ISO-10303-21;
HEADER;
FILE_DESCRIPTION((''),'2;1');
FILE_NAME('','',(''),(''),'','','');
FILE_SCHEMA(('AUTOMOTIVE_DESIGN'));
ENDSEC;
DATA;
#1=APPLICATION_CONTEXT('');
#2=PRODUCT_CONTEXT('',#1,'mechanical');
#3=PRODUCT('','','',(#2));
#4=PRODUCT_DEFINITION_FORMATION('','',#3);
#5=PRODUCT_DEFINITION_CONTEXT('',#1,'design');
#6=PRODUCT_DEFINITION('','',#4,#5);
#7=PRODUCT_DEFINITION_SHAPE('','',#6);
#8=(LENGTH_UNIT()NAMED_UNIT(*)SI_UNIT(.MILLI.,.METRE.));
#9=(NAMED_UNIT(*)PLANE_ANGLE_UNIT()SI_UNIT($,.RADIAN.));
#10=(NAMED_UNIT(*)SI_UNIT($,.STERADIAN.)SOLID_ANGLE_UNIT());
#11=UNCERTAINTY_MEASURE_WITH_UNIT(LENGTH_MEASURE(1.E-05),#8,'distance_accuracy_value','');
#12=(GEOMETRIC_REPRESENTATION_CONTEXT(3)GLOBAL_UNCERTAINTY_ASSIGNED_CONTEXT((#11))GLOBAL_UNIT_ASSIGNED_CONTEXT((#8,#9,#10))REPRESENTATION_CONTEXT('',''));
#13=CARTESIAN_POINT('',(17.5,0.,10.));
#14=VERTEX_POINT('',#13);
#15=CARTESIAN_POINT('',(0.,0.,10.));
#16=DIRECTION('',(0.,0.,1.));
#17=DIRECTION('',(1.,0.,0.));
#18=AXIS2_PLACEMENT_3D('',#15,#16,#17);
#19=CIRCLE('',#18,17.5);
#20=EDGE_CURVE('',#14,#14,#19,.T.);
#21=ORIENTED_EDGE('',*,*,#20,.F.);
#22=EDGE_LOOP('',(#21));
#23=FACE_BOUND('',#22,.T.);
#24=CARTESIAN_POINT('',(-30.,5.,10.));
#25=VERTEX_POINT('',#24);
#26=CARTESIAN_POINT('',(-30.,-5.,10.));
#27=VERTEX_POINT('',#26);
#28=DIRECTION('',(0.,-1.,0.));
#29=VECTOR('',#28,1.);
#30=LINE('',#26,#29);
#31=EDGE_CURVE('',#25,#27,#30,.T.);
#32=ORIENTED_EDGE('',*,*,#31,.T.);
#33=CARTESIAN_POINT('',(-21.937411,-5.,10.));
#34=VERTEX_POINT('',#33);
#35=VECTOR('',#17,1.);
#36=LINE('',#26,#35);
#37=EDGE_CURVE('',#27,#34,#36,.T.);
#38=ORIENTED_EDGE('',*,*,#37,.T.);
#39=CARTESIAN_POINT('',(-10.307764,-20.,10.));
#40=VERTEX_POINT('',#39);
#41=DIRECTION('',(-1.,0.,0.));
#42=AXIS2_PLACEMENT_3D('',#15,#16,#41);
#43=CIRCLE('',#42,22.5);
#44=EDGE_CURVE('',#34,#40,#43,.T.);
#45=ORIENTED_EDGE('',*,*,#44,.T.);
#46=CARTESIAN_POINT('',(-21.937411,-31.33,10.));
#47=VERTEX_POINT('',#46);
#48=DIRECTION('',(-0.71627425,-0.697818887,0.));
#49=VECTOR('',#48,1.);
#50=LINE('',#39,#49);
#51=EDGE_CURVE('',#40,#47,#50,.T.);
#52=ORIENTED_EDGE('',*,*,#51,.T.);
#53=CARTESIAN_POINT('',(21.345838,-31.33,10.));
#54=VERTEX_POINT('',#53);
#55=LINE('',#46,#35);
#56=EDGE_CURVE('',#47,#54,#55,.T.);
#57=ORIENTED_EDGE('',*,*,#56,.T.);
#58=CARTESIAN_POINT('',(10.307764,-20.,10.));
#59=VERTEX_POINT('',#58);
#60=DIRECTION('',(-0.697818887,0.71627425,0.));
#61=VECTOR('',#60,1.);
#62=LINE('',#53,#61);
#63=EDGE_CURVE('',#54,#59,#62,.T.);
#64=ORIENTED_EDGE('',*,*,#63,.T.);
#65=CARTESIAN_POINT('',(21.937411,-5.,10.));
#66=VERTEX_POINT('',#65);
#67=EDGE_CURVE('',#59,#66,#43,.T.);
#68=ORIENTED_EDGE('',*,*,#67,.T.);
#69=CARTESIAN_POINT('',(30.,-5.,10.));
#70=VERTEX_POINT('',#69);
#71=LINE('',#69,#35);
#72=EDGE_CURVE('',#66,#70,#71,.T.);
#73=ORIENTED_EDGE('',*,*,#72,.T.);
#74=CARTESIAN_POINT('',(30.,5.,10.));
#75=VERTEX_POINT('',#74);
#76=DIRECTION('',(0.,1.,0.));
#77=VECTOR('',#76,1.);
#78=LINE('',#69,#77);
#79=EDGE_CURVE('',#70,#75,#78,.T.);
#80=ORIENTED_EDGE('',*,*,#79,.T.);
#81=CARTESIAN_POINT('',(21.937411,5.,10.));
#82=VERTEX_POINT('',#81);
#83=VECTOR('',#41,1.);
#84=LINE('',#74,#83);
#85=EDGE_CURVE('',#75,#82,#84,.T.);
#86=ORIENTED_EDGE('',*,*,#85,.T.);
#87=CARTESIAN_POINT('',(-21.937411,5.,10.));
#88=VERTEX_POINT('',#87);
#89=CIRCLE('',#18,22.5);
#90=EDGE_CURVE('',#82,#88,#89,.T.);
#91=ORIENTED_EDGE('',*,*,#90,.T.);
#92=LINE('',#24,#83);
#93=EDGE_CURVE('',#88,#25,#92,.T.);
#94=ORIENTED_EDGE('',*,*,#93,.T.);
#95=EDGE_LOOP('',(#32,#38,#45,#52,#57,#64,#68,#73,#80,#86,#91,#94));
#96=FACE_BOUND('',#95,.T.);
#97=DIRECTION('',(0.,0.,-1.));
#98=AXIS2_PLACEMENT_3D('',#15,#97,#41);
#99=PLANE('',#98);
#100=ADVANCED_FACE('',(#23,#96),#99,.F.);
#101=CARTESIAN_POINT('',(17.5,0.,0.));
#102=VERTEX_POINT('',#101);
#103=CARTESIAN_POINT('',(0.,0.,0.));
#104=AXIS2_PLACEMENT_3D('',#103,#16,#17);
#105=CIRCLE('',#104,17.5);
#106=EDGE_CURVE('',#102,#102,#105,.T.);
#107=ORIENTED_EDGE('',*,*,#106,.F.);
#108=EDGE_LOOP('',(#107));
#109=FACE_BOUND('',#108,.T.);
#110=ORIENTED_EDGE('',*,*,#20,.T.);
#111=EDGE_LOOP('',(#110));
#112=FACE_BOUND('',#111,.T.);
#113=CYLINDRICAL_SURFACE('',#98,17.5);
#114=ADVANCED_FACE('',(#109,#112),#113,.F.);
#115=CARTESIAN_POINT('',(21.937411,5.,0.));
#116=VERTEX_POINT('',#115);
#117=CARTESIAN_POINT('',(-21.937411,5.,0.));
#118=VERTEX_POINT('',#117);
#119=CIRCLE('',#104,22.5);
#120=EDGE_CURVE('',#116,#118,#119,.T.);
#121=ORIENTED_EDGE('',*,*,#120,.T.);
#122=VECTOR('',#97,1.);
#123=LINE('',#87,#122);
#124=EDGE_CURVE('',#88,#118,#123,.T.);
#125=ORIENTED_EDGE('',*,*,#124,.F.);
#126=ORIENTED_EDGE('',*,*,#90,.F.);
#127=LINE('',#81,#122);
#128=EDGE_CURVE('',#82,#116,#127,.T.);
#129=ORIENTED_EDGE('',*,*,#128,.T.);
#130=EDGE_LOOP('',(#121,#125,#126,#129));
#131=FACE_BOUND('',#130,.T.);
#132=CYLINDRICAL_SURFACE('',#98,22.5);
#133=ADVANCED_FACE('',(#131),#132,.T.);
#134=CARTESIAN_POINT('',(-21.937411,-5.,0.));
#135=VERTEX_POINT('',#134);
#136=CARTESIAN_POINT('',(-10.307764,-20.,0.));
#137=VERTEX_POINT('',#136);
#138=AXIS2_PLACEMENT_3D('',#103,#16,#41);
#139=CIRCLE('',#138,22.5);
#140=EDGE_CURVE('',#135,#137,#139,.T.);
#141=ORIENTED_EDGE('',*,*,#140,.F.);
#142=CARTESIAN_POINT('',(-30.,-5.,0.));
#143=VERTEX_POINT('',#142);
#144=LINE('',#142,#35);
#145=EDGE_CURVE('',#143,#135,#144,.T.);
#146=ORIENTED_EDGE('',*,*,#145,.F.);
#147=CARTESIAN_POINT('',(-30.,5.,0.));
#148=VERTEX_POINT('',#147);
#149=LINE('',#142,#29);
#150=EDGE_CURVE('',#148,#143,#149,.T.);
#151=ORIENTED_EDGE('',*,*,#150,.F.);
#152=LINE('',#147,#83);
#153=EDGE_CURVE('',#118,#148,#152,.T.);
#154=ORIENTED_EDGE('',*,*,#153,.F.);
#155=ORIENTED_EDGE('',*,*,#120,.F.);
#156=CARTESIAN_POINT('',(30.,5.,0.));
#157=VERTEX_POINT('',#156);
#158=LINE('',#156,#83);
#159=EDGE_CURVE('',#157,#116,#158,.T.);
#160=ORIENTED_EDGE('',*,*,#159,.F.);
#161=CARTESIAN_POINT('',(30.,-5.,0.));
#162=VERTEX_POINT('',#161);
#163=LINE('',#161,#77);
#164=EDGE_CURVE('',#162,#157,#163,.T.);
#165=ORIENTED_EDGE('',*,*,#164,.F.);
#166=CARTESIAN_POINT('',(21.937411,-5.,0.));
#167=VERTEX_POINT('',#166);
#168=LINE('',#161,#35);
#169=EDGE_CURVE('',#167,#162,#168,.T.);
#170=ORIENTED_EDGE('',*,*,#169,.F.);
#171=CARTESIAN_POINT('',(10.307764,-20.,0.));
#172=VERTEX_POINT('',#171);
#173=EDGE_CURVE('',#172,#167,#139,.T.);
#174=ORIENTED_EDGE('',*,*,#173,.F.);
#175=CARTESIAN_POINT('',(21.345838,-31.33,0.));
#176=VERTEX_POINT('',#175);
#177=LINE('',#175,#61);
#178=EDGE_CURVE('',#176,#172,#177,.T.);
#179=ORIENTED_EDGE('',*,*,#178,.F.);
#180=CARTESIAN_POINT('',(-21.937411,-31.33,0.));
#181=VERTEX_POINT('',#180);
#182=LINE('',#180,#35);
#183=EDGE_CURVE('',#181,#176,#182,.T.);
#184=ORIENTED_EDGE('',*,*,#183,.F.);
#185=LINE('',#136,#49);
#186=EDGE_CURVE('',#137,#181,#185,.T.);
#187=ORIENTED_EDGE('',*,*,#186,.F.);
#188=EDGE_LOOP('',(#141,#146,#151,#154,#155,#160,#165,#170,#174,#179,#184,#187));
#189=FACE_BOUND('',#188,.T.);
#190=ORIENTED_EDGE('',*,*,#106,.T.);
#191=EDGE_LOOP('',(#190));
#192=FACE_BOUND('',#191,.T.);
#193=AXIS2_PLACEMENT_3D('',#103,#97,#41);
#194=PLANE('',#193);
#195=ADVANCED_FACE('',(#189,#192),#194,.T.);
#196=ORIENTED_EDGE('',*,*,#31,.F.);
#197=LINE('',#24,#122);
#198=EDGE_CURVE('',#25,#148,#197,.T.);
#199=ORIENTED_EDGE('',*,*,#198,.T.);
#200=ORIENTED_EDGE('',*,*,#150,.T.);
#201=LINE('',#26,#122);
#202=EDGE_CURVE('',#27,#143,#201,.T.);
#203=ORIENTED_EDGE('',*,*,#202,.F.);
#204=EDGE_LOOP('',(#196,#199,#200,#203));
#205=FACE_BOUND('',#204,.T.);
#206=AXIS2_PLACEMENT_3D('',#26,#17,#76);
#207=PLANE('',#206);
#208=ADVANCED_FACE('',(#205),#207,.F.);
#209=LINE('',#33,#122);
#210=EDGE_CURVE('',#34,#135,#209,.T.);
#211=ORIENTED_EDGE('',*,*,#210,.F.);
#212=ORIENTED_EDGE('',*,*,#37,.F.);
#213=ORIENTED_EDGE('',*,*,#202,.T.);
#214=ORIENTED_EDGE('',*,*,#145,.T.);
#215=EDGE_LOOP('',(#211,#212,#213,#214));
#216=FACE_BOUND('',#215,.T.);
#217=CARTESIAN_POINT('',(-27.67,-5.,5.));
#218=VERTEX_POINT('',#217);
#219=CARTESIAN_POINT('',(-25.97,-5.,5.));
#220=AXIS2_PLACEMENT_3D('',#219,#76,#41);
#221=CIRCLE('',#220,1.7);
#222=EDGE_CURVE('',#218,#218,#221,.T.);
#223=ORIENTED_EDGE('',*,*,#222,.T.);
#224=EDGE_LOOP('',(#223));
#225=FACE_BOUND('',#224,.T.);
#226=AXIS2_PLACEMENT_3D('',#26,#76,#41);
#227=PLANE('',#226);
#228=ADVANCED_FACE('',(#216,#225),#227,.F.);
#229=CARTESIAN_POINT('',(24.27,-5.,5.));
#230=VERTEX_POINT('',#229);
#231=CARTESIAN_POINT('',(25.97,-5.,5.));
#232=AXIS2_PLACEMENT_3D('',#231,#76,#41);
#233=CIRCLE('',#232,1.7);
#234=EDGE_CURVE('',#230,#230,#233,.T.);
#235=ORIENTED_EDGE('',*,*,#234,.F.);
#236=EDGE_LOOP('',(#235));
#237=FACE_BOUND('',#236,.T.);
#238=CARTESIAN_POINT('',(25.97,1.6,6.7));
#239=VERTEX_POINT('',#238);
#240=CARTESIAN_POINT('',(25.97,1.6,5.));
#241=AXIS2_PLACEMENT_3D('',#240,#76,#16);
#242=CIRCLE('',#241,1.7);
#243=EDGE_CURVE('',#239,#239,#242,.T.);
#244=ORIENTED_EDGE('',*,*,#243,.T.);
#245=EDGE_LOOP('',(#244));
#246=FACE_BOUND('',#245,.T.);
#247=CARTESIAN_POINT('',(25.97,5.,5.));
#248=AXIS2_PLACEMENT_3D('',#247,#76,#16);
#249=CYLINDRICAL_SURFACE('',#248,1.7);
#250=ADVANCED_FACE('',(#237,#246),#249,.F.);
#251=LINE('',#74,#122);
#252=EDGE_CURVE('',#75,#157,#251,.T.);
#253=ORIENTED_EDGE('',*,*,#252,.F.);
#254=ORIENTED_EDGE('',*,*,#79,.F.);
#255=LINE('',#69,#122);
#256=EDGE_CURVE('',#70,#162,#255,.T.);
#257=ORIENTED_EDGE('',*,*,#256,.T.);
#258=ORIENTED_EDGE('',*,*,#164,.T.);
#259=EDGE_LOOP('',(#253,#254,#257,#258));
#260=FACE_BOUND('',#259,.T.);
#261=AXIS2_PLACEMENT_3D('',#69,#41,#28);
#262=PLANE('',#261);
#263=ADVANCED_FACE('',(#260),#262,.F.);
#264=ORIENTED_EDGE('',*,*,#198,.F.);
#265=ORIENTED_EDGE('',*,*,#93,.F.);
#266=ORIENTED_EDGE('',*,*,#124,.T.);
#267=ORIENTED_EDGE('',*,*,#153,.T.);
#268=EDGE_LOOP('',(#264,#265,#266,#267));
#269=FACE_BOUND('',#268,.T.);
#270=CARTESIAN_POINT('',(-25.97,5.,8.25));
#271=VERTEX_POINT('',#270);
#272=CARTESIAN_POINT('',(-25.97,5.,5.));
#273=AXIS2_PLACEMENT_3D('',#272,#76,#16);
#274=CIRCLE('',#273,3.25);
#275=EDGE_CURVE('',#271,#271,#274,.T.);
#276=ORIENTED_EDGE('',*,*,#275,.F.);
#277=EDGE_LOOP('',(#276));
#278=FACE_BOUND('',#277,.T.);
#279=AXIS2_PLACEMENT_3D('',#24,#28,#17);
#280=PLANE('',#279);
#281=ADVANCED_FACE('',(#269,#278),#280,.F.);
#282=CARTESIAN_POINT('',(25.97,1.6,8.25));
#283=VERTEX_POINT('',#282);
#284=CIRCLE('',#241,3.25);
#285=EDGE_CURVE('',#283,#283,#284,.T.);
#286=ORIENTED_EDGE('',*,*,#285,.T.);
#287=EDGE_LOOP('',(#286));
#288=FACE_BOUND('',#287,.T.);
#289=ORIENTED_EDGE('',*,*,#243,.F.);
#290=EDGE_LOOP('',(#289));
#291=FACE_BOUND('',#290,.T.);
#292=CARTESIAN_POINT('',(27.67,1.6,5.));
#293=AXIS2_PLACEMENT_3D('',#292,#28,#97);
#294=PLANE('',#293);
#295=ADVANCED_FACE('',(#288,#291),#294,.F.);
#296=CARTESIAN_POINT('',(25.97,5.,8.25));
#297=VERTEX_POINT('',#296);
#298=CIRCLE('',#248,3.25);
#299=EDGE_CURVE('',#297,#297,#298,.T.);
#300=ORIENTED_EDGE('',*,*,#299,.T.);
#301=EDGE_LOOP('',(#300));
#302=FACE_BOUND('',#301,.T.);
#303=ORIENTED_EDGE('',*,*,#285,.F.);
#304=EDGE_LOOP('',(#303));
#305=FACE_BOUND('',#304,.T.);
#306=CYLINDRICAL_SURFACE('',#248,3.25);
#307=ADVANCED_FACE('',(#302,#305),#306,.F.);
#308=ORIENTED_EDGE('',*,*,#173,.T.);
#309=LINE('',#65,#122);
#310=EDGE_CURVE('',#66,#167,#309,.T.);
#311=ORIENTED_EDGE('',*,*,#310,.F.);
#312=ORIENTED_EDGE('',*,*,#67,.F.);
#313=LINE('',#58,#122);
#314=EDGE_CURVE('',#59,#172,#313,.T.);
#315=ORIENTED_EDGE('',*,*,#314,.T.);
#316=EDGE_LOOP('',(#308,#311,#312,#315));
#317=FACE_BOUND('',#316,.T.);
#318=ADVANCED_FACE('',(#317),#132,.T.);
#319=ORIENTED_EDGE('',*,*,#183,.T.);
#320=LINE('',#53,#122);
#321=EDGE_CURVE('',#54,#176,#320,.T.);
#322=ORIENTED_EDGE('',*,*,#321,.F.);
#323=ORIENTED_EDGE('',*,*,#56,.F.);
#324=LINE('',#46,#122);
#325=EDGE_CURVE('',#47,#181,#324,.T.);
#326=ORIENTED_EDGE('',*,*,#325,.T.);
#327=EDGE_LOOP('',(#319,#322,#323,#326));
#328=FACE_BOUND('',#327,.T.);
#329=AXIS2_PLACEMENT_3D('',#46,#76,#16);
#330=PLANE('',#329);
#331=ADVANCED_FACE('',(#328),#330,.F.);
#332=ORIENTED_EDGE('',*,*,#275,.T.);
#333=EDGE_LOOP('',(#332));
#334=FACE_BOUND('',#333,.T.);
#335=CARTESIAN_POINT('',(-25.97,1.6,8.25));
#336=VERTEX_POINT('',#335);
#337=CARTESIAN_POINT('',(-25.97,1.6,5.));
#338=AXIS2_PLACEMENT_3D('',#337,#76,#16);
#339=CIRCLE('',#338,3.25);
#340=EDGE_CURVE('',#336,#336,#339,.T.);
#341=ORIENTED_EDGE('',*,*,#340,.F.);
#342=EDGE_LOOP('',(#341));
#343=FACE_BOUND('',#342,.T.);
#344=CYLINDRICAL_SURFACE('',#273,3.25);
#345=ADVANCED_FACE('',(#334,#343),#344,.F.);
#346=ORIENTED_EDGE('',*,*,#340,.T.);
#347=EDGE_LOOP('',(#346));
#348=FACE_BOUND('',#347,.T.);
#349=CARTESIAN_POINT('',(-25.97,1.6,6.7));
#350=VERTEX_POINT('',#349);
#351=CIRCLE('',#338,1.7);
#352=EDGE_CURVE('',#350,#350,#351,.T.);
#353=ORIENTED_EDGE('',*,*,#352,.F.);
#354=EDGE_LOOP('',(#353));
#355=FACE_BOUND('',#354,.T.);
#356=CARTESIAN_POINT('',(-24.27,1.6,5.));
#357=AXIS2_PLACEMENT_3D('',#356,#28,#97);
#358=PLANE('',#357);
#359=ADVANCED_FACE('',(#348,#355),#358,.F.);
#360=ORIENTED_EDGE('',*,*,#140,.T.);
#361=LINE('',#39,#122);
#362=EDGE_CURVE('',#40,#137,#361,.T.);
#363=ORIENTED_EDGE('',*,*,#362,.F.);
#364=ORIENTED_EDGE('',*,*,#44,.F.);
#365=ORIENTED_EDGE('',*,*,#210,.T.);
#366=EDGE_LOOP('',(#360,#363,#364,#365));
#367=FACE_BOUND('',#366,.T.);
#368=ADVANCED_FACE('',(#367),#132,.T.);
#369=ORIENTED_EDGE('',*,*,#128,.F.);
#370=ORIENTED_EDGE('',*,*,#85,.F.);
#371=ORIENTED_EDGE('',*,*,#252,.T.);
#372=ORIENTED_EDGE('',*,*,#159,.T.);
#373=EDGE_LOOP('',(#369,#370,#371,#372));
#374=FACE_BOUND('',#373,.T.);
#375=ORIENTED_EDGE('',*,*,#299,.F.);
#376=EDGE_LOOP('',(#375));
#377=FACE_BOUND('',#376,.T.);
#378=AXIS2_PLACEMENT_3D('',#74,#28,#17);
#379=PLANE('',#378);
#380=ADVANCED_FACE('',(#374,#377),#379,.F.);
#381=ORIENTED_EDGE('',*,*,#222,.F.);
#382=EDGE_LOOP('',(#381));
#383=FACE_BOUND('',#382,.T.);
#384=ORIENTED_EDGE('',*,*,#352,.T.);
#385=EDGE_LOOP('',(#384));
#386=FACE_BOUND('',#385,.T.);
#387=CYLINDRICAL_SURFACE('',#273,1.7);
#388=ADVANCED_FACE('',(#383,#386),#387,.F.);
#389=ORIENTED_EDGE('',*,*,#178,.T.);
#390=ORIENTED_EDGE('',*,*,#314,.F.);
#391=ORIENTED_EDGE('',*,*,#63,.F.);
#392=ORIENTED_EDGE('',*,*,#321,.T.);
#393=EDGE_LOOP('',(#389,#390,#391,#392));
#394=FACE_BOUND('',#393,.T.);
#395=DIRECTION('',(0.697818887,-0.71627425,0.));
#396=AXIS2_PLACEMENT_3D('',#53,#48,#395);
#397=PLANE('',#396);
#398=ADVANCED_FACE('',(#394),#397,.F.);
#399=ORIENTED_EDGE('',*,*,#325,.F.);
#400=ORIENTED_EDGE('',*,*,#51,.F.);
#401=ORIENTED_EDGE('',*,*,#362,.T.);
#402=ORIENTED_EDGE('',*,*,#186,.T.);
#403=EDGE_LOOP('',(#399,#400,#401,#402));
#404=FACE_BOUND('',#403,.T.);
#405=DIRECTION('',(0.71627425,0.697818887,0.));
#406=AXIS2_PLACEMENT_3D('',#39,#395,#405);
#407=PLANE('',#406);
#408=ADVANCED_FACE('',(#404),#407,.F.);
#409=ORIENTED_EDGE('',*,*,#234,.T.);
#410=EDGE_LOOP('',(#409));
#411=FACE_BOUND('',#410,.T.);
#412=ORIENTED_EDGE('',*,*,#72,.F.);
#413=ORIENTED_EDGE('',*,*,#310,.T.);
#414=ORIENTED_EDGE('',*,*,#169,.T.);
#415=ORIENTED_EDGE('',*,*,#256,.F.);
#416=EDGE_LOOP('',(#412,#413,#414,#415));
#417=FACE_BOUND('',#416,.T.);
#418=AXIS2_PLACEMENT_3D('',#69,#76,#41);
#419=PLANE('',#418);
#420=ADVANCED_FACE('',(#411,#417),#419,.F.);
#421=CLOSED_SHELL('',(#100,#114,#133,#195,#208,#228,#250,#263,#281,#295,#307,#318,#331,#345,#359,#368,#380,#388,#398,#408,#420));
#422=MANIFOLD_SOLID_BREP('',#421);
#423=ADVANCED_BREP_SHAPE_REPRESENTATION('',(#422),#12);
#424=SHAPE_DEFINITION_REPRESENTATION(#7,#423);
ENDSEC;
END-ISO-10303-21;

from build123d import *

# Parameters (mm, degrees)
ESQUISSE1_R                                        = 17.5
BOSS_EXTRU_1_DEPTH                                 = 10
CHAMBRAGE_POUR_VIS_T_TE_HEXAGONALE_M31_D           = 3.4
CHAMBRAGE_POUR_VIS_T_TE_HEXAGONALE_M31_CBORE_D     = 6.5
CHAMBRAGE_POUR_VIS_T_TE_HEXAGONALE_M31_CBORE_DEPTH = 3.4


with BuildPart() as part:
    # Esquisse1 → Boss.-Extru.1 (new body)
    with BuildSketch(Plane.XY):
        with BuildLine():
            Line((30, -5), (30, 5))
            Line((30, 5), (21.937410968, 5))
            ThreePointArc((21.937410968, 5), (0, 22.5), (-21.937410968, 5))
            Line((-21.937410968, 5), (-30, 5))
            Line((-30, 5), (-30, -5))
            Line((-30, -5), (-21.937410968, -5))
            ThreePointArc((-21.937410968, -5), (-17.781671131, -13.786303775), (-10.307764064, -20))
            Line((-10.307764064, -20), (-21.937410968, -31.33))
            Line((-21.937410968, -31.33), (21.345837795, -31.33))
            Line((21.345837795, -31.33), (10.307764064, -20))
            ThreePointArc((10.307764064, -20), (17.781671131, -13.786303775), (21.937410968, -5))
            Line((21.937410968, -5), (30, -5))
        make_face()
        Circle(ESQUISSE1_R, mode=Mode.SUBTRACT)
    extrude(amount=BOSS_EXTRU_1_DEPTH)

    # Chambrage pour vis à tête hexagonale M31 (through all)
    with Locations(Plane(origin=(25.97, 5, 5), x_dir=(1, 0, 0), z_dir=(0, 1, 0))):
        with Locations((0, 0)):
            chambrage_pour_vis_t_te_hexagonale_m31 = CounterBoreHole(CHAMBRAGE_POUR_VIS_T_TE_HEXAGONALE_M31_D / 2, CHAMBRAGE_POUR_VIS_T_TE_HEXAGONALE_M31_CBORE_D / 2, CHAMBRAGE_POUR_VIS_T_TE_HEXAGONALE_M31_CBORE_DEPTH)

    # Symétrie2: Chambrage pour vis à tête hexagonale M31 across plane
    add(chambrage_pour_vis_t_te_hexagonale_m31.mirror(Plane(origin=(0, 0, 0), x_dir=(0, 0, 1), z_dir=(1, 0, 0))), mode=Mode.SUBTRACT)


solid = part.part
